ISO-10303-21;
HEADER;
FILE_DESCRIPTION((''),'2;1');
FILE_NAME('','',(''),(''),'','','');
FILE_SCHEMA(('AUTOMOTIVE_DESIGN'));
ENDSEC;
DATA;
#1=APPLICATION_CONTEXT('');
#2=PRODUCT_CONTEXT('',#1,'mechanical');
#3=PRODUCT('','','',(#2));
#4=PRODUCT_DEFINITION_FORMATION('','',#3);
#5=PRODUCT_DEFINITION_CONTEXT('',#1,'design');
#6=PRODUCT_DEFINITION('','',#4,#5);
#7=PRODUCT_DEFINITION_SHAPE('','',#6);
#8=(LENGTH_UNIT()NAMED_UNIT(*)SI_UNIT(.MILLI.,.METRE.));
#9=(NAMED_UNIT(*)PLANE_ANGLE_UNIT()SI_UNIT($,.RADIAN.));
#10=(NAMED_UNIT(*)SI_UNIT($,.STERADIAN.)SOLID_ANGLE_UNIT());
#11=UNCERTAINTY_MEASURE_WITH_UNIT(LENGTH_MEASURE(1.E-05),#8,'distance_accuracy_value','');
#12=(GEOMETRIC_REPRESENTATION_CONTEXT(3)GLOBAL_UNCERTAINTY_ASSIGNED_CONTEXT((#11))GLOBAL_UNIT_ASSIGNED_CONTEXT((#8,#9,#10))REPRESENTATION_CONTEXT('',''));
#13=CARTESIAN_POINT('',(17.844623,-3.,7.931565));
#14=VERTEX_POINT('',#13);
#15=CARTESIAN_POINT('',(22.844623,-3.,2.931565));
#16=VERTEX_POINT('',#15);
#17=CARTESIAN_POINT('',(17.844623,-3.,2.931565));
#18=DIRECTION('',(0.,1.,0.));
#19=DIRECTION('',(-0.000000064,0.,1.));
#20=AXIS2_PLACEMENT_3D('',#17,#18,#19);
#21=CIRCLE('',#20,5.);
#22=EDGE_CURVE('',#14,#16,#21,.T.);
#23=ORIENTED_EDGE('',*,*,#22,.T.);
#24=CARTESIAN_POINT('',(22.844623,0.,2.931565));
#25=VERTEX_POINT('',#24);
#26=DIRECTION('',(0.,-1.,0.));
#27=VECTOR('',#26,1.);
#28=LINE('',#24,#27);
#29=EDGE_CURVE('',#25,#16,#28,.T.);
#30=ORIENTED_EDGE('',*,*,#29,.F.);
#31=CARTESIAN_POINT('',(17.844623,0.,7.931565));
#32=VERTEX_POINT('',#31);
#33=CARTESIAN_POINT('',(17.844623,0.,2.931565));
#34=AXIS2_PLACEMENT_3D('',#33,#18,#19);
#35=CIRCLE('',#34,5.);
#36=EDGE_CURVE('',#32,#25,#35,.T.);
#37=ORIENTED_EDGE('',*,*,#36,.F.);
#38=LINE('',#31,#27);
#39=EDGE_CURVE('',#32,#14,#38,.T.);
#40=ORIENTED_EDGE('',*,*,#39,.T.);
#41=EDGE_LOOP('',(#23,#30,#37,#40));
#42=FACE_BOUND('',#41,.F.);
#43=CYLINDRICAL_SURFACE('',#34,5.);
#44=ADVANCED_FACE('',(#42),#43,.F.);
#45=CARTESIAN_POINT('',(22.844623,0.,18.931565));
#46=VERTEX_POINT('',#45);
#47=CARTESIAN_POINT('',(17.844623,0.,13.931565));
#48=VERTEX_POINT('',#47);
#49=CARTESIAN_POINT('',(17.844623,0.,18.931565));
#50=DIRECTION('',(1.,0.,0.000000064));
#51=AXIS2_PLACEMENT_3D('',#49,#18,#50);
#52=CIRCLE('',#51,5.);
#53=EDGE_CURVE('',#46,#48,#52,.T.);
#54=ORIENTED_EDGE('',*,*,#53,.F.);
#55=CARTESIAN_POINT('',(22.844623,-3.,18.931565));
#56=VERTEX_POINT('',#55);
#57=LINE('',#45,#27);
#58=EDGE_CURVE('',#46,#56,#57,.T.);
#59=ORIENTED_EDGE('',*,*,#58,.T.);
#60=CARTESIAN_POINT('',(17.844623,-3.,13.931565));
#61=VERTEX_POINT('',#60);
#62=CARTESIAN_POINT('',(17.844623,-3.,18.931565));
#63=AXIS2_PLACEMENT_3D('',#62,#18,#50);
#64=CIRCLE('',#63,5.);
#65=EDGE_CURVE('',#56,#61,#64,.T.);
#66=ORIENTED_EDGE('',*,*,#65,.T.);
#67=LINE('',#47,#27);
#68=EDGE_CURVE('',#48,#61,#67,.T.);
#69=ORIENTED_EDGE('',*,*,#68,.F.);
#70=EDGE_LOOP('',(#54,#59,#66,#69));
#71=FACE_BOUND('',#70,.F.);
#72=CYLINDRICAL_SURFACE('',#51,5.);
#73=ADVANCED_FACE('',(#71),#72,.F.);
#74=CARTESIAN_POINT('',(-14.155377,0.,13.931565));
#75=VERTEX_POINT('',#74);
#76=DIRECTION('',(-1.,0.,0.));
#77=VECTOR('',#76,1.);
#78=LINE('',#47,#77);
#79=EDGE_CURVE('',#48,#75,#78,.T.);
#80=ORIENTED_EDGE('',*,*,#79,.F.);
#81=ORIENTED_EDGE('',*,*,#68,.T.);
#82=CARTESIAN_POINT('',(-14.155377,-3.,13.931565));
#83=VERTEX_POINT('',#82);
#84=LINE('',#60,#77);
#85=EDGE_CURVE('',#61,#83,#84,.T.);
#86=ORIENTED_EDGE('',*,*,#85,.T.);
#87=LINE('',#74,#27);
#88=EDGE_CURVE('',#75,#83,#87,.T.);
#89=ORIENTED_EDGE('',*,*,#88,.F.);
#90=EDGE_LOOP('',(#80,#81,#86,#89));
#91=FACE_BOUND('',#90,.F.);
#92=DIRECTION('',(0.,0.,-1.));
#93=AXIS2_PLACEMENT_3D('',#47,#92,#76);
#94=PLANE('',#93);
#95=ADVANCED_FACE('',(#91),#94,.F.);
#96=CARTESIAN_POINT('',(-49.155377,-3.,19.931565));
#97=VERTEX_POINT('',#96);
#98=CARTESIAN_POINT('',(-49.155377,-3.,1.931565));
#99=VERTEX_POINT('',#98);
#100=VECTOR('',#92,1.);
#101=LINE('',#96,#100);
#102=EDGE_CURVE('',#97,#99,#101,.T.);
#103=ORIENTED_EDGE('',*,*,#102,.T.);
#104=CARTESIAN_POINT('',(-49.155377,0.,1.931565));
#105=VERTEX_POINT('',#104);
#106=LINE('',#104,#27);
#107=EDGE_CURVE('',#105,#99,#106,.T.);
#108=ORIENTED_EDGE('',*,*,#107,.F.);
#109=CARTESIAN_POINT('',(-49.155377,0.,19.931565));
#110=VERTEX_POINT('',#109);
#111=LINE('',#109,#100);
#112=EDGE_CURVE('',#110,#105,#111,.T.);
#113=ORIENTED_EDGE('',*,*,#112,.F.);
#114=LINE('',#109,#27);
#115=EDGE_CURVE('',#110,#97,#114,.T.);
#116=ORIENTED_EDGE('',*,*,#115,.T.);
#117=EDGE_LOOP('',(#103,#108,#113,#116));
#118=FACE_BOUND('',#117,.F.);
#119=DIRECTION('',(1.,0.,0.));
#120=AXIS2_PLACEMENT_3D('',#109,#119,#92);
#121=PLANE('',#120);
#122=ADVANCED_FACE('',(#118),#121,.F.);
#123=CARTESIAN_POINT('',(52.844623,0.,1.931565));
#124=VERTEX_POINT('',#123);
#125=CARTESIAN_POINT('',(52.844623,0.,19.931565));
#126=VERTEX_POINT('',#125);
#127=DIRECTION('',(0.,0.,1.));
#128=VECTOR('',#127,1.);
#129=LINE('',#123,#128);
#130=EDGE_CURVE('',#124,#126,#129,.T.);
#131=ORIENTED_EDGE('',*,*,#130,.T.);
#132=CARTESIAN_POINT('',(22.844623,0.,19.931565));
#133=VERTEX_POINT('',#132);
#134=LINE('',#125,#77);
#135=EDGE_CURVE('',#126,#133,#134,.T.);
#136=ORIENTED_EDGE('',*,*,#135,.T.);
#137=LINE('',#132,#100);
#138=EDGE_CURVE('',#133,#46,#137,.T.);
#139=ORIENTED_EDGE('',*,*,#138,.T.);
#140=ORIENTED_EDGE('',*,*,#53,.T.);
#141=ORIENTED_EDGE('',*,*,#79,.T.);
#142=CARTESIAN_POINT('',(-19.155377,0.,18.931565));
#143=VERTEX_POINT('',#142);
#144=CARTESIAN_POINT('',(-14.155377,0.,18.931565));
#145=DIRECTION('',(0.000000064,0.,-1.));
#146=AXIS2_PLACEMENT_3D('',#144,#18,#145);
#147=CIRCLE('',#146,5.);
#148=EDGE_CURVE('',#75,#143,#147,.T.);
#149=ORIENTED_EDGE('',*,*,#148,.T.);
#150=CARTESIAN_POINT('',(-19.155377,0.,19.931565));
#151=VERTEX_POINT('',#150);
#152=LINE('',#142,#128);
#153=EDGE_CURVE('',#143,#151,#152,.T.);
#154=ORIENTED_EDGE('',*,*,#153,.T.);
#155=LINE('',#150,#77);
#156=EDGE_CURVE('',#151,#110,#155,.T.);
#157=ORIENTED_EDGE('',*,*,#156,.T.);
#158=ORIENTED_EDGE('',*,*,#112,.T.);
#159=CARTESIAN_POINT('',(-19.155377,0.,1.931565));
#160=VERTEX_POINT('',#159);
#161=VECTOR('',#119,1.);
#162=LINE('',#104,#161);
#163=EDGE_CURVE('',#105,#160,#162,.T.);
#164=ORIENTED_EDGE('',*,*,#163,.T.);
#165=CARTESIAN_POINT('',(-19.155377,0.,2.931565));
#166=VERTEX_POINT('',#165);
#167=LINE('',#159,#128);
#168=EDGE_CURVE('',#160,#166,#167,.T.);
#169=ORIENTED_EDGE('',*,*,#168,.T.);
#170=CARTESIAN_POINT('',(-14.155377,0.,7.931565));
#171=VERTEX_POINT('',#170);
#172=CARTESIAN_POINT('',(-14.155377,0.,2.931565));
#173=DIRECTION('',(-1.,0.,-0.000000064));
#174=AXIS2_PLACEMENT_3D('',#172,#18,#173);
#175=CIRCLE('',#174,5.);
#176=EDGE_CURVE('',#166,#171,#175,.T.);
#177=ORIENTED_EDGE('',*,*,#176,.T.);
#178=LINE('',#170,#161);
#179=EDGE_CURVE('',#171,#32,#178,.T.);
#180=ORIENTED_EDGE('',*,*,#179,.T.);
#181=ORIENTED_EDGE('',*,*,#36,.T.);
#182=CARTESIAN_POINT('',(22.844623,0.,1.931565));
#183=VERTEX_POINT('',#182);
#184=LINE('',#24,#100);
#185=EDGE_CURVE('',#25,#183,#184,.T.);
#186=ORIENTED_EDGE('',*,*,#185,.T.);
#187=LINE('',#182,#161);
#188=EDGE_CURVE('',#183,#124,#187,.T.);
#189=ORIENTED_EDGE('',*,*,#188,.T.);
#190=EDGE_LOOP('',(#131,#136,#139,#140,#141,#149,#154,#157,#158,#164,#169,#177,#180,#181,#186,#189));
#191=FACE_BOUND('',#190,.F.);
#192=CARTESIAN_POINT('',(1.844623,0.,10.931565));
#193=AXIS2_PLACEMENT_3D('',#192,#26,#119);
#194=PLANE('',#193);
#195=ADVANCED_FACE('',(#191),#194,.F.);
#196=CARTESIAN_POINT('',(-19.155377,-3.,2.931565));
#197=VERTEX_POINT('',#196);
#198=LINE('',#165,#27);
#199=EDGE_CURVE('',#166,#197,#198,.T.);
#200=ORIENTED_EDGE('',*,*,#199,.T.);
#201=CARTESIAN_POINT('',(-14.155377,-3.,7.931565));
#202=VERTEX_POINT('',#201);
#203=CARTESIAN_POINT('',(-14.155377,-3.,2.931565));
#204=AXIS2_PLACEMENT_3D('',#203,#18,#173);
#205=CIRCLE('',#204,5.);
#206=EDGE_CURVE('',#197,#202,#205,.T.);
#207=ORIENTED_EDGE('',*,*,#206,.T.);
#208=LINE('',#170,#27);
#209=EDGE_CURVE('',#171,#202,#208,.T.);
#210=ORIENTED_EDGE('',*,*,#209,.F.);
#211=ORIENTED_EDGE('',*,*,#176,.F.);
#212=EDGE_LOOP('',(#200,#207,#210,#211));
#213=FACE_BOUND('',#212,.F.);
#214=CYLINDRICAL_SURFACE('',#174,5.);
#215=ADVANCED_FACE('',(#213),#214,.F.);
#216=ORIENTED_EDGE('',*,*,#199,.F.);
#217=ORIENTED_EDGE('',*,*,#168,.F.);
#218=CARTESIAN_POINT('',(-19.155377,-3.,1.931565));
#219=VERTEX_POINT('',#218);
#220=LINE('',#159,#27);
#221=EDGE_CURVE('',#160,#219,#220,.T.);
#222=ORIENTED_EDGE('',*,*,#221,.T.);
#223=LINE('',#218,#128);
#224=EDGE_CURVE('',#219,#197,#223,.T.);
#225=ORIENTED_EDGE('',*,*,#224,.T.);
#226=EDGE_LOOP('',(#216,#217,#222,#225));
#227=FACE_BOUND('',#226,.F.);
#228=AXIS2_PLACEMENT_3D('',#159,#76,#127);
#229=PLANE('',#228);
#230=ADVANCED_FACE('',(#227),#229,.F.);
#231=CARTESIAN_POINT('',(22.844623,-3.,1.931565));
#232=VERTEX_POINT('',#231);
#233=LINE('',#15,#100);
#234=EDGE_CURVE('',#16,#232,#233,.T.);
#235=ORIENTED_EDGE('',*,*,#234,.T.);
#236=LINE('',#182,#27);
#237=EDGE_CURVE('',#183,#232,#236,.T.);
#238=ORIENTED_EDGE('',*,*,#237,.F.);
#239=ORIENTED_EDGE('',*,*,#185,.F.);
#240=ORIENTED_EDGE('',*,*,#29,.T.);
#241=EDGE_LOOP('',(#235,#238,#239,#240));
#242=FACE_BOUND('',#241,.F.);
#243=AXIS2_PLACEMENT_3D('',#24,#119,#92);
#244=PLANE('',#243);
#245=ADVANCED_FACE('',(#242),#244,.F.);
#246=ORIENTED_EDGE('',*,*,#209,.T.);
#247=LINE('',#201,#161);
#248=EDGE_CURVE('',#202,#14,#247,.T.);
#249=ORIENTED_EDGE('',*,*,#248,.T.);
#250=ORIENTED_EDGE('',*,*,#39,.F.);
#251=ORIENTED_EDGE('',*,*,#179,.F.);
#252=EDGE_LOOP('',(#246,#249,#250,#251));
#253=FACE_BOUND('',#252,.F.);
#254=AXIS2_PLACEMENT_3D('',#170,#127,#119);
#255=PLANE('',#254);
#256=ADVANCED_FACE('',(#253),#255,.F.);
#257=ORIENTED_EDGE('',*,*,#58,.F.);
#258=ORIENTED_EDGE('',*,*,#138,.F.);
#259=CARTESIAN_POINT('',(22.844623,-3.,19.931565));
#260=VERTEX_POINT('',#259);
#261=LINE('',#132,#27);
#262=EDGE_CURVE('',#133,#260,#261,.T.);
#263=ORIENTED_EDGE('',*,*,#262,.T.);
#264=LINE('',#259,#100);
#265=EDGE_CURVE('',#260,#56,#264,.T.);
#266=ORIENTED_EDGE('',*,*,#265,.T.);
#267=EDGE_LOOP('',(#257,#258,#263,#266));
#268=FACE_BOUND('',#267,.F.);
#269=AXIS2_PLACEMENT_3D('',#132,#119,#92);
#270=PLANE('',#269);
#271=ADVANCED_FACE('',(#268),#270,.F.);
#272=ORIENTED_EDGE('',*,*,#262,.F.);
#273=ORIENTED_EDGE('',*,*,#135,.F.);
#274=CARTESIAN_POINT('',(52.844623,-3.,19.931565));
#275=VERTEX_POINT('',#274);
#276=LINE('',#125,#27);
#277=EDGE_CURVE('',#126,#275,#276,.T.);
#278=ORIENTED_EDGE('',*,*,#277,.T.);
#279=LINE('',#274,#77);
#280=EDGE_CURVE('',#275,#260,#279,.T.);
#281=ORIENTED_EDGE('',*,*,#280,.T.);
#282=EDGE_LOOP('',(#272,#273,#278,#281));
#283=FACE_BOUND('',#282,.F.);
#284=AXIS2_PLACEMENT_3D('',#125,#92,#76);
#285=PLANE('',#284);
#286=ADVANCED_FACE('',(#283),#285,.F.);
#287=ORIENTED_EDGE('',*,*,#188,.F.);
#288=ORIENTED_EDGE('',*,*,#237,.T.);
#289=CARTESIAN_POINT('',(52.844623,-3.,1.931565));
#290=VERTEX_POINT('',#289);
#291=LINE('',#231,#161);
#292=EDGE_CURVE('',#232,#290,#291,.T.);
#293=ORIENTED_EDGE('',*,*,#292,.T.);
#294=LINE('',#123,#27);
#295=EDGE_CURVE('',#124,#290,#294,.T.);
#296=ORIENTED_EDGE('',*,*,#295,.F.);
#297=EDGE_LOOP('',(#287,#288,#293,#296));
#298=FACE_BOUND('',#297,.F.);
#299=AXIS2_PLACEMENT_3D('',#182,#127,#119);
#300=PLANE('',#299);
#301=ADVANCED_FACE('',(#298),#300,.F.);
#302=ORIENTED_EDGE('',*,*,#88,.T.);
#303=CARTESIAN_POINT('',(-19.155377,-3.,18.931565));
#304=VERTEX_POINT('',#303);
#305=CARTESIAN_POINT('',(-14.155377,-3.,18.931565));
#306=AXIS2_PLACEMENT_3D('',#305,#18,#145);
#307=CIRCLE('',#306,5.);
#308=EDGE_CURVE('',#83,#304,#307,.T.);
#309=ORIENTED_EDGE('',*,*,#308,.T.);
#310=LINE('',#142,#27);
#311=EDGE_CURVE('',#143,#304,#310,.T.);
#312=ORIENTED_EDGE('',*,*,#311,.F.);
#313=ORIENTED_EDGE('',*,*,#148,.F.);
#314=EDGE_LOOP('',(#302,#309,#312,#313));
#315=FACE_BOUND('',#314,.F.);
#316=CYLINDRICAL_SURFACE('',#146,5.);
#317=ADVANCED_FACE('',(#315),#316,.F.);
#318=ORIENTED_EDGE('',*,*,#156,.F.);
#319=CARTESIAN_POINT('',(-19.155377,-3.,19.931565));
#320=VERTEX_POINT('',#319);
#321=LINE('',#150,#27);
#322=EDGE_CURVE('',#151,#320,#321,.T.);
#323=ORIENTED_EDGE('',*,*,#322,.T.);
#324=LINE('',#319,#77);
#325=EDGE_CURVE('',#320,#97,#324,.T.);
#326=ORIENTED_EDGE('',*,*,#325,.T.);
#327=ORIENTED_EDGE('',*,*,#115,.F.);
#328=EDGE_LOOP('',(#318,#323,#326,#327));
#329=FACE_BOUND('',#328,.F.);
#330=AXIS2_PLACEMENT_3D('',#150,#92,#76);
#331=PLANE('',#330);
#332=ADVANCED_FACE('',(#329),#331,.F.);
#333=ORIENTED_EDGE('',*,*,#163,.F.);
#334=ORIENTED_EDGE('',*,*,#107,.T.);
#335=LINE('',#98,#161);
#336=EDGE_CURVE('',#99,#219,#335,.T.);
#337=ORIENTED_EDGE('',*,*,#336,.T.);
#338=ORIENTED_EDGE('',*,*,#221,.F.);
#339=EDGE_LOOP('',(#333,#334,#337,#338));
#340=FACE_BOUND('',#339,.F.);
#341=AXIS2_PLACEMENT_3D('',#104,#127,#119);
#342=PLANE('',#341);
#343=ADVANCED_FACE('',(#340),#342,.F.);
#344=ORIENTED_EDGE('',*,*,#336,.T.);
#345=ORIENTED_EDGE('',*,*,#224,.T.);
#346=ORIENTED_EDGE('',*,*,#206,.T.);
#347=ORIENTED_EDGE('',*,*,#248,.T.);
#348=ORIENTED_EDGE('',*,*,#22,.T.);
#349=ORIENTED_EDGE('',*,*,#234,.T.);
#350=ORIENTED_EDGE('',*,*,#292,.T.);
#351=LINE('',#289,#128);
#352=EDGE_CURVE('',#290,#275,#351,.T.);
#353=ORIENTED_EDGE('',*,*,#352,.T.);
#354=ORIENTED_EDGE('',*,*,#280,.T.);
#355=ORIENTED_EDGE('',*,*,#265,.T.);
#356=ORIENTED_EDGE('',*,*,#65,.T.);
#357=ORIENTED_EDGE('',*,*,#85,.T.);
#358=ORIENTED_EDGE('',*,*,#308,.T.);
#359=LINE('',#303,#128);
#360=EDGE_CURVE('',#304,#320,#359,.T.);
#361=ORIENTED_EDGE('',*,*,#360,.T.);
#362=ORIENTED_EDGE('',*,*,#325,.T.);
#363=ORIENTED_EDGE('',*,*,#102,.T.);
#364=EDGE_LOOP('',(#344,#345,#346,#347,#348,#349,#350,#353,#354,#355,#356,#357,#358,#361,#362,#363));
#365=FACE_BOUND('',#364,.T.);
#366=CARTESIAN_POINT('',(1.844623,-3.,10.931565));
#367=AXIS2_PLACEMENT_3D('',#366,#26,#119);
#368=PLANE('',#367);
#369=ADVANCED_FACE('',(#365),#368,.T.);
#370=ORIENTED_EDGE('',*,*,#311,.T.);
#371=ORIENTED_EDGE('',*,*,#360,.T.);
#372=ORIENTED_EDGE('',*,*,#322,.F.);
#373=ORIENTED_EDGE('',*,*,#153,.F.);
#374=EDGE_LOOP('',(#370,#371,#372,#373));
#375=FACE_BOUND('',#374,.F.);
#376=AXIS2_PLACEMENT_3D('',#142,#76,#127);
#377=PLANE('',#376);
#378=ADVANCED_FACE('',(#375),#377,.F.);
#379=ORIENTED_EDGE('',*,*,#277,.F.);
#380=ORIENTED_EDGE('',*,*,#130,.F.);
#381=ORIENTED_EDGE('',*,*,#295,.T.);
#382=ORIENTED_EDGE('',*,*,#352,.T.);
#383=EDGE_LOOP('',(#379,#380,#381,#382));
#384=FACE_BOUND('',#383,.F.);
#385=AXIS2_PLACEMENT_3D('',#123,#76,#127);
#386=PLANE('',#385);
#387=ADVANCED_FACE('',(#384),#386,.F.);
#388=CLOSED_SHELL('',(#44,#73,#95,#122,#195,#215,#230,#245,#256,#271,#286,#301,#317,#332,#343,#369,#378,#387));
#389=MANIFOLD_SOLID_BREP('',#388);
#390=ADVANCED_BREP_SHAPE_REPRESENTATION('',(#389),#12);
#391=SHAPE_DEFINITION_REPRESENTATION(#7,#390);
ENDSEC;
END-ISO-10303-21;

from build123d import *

# Parameters (mm, degrees)
F1_DEPTH = 3


with BuildPart() as f1:
    # F0 (on Front) → F1 (new body)
    with BuildSketch(Plane.XZ):
        with BuildLine():
            Line((-49.155377, 19.931565), (-49.155377, 10.931565))
            Line((-49.155377, 10.931565), (-49.155377, 1.931565))
            Line((-49.155377, 1.931565), (-19.155377, 1.931565))
            Line((-19.155377, 1.931565), (-19.155377, 2.931565))
            ThreePointArc((-19.155377, 2.931565), (-17.690911, 6.467099), (-14.155377, 7.931565))
            Line((-14.155377, 7.931565), (17.844623, 7.931565))
            ThreePointArc((17.844623, 7.931565), (21.380157, 6.467099), (22.844623, 2.931565))
            Line((22.844623, 2.931565), (22.844623, 1.931565))
            Line((22.844623, 1.931565), (52.844623, 1.931565))
            Line((52.844623, 1.931565), (52.844623, 10.931565))
            Line((52.844623, 10.931565), (52.844623, 19.931565))
            Line((52.844623, 19.931565), (22.844623, 19.931565))
            Line((22.844623, 19.931565), (22.844623, 18.931565))
            ThreePointArc((22.844623, 18.931565), (21.380157, 15.396031), (17.844623, 13.931565))
            Line((17.844623, 13.931565), (-14.155377, 13.931565))
            ThreePointArc((-14.155377, 13.931565), (-17.690911, 15.396031), (-19.155377, 18.931565))
            Line((-19.155377, 18.931565), (-19.155377, 19.931565))
            Line((-19.155377, 19.931565), (-49.155377, 19.931565))
        make_face()
    extrude(amount=F1_DEPTH)


solid = f1.part
